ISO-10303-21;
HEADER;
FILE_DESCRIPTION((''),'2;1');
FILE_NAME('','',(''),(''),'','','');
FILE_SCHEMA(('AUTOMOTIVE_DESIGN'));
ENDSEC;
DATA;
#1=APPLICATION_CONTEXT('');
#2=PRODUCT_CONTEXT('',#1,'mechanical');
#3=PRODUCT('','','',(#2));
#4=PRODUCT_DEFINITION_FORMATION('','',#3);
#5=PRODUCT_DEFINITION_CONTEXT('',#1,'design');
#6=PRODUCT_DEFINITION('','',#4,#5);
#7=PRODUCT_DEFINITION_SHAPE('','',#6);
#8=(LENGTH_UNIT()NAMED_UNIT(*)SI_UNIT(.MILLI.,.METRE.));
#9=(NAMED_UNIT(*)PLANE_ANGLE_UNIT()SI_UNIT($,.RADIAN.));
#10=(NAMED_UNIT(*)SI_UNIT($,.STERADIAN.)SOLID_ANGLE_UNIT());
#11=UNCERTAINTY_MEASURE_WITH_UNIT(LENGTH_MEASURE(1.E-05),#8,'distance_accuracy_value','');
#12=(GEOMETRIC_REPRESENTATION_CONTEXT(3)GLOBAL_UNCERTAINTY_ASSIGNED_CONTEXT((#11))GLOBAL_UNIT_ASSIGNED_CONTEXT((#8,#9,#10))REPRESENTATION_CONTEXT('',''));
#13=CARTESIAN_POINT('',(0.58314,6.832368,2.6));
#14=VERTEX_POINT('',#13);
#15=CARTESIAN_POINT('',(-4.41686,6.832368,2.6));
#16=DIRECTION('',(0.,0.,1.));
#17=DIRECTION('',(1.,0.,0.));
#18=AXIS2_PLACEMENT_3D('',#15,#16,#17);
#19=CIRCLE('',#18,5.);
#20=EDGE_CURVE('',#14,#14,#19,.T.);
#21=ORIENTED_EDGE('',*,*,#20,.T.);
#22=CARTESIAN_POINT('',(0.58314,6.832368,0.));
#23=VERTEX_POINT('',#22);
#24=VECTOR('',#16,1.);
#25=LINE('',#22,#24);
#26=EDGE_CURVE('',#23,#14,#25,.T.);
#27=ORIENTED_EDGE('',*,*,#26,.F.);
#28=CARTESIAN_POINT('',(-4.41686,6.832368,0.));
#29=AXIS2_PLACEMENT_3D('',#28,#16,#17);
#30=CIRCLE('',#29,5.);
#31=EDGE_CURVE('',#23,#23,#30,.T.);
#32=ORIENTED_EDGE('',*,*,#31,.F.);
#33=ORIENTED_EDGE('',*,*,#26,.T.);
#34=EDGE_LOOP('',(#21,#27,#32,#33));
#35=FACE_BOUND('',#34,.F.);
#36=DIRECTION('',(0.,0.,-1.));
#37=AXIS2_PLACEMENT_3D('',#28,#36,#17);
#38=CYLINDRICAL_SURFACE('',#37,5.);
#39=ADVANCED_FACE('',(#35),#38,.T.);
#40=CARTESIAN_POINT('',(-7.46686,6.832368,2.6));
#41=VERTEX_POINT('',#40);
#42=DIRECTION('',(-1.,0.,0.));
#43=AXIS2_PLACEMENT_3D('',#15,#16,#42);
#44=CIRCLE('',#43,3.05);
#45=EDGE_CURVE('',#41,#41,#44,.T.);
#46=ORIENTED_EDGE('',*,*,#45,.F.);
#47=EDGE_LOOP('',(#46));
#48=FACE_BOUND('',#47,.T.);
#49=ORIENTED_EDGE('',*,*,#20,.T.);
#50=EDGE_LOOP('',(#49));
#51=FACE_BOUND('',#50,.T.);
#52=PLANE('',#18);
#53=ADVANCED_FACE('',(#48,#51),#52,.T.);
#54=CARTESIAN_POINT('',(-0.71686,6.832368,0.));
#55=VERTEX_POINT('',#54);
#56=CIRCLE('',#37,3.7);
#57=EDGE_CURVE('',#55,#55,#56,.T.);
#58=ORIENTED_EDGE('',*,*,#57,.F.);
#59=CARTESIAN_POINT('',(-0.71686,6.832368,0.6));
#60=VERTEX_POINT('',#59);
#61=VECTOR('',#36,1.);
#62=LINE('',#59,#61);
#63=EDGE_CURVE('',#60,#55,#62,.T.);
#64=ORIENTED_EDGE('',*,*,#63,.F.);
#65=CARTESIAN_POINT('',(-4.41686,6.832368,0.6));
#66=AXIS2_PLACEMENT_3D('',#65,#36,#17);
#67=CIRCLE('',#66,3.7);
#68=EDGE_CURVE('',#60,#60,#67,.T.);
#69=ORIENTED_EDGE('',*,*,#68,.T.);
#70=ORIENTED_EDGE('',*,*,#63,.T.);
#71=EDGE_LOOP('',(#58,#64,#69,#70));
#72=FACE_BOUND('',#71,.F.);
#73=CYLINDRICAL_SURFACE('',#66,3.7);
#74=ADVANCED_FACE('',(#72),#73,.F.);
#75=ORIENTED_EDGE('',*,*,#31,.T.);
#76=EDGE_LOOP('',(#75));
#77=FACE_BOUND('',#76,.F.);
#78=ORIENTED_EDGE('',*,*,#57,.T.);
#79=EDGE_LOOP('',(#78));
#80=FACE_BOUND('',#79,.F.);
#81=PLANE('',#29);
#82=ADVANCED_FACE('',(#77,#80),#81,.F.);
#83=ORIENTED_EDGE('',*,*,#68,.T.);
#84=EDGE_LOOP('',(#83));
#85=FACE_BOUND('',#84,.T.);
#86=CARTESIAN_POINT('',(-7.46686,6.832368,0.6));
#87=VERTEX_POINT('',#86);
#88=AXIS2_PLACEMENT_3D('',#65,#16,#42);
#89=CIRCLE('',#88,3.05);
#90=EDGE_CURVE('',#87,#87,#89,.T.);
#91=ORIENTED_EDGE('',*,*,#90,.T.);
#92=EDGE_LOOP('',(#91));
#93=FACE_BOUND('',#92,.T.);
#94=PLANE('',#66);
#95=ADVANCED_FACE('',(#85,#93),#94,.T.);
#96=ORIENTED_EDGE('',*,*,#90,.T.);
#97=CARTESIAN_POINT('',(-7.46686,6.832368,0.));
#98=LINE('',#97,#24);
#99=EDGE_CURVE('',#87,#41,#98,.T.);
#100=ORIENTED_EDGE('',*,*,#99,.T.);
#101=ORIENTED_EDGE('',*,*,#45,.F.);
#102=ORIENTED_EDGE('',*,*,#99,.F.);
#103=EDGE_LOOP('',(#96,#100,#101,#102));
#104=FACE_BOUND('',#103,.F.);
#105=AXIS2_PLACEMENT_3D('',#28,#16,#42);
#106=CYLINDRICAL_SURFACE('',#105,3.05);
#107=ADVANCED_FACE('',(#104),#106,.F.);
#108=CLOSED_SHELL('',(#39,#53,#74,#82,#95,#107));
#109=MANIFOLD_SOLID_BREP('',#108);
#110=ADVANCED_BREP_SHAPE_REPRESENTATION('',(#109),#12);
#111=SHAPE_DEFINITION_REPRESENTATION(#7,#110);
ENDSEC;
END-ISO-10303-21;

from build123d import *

# Parameters (mm, degrees)
F0_R           = 5
F1_DEPTH       = 2.6
F2_D           = 6.1
F2_DEPTH       = 3
F2_CBORE_D     = 7.4
F2_CBORE_DEPTH = 0.6
F2_TIP         = 1.832624888


with BuildPart() as f1:
    # F0 (on Top) → F1 (new body)
    with BuildSketch(Plane.XY):
        with Locations((-4.4168601744, 6.8323677406)):
            Circle(F0_R)
    extrude(amount=F1_DEPTH)

    # F2
    with Locations(Plane(origin=(0, 0, 0), x_dir=(1, 0, 0), z_dir=(0, 0, -1))):
        with Locations((-4.4168601744, -6.8323677406)):
            CounterBoreHole(F2_D / 2, F2_CBORE_D / 2, F2_CBORE_DEPTH, depth=F2_DEPTH)
            with Locations((0, 0, -(F2_DEPTH + F2_TIP / 2))):  # 118° drill point
                Cone(0, F2_D / 2, F2_TIP, mode=Mode.SUBTRACT)


solid = f1.part
